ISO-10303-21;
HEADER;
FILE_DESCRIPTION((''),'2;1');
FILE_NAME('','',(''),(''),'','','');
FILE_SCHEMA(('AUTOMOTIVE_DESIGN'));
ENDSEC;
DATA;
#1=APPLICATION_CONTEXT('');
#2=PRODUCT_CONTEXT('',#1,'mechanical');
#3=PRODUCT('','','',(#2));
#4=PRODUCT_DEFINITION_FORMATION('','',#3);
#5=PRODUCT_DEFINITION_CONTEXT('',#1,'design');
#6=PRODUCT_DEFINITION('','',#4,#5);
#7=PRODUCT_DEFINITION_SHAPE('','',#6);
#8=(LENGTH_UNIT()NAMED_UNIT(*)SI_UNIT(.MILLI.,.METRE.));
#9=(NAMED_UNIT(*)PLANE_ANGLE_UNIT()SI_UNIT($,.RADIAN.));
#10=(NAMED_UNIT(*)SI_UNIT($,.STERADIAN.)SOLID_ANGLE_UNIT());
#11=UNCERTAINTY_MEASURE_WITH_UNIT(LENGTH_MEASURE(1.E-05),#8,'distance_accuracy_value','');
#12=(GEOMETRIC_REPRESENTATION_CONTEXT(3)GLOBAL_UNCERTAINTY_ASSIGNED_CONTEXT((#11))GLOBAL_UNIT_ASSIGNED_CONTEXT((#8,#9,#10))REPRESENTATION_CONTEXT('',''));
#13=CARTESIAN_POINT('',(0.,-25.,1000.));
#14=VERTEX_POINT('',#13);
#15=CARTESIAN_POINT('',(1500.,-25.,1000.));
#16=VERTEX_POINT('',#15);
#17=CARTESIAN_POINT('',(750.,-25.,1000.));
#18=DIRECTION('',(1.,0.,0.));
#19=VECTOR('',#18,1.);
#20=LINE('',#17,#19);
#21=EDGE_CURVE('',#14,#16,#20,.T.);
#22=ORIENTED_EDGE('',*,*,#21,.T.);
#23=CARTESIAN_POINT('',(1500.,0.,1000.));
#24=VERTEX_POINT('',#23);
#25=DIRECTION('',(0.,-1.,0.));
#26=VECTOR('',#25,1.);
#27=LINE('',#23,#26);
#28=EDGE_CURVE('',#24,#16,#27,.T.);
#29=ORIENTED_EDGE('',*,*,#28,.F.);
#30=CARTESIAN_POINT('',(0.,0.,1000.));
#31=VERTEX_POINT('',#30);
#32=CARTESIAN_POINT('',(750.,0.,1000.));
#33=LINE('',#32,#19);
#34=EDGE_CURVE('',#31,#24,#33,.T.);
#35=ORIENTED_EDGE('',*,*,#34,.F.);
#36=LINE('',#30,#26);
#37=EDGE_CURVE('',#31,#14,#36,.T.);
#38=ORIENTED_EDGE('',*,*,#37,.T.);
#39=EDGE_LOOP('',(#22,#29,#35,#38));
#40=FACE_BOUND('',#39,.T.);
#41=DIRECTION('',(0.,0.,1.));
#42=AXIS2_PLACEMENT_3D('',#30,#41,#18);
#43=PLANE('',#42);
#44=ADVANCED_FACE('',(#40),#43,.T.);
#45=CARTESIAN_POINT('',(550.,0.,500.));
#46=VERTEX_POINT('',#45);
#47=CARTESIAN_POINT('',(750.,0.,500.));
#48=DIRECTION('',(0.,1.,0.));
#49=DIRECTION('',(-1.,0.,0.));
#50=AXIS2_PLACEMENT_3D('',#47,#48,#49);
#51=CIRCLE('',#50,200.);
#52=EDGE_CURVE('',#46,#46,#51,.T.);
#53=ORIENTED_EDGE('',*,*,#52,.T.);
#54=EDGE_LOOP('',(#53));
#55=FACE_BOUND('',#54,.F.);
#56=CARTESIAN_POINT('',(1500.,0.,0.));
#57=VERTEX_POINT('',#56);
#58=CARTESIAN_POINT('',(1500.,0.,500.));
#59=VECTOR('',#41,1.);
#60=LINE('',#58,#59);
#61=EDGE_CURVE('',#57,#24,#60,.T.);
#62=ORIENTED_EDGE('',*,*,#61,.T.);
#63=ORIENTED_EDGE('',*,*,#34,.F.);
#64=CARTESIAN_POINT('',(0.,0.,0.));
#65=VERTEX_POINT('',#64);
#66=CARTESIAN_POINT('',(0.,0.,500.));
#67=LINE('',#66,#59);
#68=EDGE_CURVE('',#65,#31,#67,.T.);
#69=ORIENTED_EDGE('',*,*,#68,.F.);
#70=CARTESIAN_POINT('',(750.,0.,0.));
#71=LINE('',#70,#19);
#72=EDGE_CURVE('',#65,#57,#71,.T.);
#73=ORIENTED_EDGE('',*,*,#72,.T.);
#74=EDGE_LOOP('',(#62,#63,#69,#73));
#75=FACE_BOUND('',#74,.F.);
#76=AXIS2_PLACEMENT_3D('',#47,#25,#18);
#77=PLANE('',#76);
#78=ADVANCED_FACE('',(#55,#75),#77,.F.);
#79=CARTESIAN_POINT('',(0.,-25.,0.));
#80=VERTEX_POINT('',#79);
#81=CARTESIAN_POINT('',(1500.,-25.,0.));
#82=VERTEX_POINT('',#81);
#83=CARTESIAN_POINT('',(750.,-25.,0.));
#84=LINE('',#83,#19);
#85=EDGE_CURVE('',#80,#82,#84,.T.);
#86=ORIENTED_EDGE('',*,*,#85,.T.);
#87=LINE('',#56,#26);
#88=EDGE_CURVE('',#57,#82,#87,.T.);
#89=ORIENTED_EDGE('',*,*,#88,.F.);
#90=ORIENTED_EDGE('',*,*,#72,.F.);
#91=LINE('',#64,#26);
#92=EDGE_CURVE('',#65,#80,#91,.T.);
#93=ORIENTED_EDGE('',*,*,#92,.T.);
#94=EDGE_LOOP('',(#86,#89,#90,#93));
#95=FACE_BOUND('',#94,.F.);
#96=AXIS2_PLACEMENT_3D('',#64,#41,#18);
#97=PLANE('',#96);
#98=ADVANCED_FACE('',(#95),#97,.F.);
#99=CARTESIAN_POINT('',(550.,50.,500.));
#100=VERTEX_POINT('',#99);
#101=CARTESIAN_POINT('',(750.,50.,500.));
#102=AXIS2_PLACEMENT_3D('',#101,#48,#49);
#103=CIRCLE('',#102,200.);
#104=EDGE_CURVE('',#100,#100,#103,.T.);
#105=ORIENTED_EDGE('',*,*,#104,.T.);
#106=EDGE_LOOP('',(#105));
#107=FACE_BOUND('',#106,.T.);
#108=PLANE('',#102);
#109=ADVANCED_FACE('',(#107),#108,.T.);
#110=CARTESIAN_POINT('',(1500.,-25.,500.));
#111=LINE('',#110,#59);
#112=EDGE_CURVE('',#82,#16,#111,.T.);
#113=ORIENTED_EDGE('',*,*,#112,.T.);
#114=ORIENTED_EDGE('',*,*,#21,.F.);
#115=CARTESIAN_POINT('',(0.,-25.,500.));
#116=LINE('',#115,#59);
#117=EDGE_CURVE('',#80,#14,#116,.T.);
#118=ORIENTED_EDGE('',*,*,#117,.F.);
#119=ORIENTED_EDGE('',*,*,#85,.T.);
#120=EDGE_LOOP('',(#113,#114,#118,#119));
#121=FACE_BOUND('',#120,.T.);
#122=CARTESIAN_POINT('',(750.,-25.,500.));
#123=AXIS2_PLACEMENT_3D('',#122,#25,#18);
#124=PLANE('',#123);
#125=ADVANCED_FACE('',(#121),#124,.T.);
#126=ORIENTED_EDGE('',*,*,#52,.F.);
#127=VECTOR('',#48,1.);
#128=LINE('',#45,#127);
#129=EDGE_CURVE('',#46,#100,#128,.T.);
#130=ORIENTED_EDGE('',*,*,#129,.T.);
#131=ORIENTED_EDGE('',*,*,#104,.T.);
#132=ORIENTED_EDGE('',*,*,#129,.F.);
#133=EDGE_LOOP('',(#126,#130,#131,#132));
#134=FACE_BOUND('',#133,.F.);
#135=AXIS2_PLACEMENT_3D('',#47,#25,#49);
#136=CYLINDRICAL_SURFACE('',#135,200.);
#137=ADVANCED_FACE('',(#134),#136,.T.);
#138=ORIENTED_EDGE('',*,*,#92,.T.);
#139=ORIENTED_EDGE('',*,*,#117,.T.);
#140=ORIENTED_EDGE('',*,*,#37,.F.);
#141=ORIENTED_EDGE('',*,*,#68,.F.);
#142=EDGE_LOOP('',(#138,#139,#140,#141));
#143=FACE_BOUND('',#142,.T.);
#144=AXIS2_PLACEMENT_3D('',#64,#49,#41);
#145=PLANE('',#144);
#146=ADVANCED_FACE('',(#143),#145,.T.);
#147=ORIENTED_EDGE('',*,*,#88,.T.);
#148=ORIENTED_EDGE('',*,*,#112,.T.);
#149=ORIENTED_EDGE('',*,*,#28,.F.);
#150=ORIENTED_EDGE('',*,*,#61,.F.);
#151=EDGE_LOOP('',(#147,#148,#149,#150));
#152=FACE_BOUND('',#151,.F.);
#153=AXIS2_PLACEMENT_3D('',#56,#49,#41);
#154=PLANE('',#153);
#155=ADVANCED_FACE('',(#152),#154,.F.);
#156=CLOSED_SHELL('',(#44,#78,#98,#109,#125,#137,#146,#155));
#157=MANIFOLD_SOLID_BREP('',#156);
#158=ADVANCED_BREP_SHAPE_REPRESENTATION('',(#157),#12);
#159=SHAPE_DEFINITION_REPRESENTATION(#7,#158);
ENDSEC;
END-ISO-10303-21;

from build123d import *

# Parameters (mm, degrees)
F0_W     = 1500
F0_H     = 1000
F1_DEPTH = 25
F2_R     = 200
F3_DEPTH = 50


with BuildPart() as f1:
    # F0 (on Front) → F1 (new body)
    with BuildSketch(Plane.XZ):
        with Locations((750, 500)):
            Rectangle(F0_W, F0_H)
    extrude(amount=F1_DEPTH)

    # F2 (on face) → F3 (join)
    with BuildSketch(Plane(origin=(0, 0, 0), x_dir=(-1, 0, 0), z_dir=(0, 1, 0))):
        with Locations((-750, 500)):
            Circle(F2_R)
    extrude(amount=F3_DEPTH)


solid = f1.part
